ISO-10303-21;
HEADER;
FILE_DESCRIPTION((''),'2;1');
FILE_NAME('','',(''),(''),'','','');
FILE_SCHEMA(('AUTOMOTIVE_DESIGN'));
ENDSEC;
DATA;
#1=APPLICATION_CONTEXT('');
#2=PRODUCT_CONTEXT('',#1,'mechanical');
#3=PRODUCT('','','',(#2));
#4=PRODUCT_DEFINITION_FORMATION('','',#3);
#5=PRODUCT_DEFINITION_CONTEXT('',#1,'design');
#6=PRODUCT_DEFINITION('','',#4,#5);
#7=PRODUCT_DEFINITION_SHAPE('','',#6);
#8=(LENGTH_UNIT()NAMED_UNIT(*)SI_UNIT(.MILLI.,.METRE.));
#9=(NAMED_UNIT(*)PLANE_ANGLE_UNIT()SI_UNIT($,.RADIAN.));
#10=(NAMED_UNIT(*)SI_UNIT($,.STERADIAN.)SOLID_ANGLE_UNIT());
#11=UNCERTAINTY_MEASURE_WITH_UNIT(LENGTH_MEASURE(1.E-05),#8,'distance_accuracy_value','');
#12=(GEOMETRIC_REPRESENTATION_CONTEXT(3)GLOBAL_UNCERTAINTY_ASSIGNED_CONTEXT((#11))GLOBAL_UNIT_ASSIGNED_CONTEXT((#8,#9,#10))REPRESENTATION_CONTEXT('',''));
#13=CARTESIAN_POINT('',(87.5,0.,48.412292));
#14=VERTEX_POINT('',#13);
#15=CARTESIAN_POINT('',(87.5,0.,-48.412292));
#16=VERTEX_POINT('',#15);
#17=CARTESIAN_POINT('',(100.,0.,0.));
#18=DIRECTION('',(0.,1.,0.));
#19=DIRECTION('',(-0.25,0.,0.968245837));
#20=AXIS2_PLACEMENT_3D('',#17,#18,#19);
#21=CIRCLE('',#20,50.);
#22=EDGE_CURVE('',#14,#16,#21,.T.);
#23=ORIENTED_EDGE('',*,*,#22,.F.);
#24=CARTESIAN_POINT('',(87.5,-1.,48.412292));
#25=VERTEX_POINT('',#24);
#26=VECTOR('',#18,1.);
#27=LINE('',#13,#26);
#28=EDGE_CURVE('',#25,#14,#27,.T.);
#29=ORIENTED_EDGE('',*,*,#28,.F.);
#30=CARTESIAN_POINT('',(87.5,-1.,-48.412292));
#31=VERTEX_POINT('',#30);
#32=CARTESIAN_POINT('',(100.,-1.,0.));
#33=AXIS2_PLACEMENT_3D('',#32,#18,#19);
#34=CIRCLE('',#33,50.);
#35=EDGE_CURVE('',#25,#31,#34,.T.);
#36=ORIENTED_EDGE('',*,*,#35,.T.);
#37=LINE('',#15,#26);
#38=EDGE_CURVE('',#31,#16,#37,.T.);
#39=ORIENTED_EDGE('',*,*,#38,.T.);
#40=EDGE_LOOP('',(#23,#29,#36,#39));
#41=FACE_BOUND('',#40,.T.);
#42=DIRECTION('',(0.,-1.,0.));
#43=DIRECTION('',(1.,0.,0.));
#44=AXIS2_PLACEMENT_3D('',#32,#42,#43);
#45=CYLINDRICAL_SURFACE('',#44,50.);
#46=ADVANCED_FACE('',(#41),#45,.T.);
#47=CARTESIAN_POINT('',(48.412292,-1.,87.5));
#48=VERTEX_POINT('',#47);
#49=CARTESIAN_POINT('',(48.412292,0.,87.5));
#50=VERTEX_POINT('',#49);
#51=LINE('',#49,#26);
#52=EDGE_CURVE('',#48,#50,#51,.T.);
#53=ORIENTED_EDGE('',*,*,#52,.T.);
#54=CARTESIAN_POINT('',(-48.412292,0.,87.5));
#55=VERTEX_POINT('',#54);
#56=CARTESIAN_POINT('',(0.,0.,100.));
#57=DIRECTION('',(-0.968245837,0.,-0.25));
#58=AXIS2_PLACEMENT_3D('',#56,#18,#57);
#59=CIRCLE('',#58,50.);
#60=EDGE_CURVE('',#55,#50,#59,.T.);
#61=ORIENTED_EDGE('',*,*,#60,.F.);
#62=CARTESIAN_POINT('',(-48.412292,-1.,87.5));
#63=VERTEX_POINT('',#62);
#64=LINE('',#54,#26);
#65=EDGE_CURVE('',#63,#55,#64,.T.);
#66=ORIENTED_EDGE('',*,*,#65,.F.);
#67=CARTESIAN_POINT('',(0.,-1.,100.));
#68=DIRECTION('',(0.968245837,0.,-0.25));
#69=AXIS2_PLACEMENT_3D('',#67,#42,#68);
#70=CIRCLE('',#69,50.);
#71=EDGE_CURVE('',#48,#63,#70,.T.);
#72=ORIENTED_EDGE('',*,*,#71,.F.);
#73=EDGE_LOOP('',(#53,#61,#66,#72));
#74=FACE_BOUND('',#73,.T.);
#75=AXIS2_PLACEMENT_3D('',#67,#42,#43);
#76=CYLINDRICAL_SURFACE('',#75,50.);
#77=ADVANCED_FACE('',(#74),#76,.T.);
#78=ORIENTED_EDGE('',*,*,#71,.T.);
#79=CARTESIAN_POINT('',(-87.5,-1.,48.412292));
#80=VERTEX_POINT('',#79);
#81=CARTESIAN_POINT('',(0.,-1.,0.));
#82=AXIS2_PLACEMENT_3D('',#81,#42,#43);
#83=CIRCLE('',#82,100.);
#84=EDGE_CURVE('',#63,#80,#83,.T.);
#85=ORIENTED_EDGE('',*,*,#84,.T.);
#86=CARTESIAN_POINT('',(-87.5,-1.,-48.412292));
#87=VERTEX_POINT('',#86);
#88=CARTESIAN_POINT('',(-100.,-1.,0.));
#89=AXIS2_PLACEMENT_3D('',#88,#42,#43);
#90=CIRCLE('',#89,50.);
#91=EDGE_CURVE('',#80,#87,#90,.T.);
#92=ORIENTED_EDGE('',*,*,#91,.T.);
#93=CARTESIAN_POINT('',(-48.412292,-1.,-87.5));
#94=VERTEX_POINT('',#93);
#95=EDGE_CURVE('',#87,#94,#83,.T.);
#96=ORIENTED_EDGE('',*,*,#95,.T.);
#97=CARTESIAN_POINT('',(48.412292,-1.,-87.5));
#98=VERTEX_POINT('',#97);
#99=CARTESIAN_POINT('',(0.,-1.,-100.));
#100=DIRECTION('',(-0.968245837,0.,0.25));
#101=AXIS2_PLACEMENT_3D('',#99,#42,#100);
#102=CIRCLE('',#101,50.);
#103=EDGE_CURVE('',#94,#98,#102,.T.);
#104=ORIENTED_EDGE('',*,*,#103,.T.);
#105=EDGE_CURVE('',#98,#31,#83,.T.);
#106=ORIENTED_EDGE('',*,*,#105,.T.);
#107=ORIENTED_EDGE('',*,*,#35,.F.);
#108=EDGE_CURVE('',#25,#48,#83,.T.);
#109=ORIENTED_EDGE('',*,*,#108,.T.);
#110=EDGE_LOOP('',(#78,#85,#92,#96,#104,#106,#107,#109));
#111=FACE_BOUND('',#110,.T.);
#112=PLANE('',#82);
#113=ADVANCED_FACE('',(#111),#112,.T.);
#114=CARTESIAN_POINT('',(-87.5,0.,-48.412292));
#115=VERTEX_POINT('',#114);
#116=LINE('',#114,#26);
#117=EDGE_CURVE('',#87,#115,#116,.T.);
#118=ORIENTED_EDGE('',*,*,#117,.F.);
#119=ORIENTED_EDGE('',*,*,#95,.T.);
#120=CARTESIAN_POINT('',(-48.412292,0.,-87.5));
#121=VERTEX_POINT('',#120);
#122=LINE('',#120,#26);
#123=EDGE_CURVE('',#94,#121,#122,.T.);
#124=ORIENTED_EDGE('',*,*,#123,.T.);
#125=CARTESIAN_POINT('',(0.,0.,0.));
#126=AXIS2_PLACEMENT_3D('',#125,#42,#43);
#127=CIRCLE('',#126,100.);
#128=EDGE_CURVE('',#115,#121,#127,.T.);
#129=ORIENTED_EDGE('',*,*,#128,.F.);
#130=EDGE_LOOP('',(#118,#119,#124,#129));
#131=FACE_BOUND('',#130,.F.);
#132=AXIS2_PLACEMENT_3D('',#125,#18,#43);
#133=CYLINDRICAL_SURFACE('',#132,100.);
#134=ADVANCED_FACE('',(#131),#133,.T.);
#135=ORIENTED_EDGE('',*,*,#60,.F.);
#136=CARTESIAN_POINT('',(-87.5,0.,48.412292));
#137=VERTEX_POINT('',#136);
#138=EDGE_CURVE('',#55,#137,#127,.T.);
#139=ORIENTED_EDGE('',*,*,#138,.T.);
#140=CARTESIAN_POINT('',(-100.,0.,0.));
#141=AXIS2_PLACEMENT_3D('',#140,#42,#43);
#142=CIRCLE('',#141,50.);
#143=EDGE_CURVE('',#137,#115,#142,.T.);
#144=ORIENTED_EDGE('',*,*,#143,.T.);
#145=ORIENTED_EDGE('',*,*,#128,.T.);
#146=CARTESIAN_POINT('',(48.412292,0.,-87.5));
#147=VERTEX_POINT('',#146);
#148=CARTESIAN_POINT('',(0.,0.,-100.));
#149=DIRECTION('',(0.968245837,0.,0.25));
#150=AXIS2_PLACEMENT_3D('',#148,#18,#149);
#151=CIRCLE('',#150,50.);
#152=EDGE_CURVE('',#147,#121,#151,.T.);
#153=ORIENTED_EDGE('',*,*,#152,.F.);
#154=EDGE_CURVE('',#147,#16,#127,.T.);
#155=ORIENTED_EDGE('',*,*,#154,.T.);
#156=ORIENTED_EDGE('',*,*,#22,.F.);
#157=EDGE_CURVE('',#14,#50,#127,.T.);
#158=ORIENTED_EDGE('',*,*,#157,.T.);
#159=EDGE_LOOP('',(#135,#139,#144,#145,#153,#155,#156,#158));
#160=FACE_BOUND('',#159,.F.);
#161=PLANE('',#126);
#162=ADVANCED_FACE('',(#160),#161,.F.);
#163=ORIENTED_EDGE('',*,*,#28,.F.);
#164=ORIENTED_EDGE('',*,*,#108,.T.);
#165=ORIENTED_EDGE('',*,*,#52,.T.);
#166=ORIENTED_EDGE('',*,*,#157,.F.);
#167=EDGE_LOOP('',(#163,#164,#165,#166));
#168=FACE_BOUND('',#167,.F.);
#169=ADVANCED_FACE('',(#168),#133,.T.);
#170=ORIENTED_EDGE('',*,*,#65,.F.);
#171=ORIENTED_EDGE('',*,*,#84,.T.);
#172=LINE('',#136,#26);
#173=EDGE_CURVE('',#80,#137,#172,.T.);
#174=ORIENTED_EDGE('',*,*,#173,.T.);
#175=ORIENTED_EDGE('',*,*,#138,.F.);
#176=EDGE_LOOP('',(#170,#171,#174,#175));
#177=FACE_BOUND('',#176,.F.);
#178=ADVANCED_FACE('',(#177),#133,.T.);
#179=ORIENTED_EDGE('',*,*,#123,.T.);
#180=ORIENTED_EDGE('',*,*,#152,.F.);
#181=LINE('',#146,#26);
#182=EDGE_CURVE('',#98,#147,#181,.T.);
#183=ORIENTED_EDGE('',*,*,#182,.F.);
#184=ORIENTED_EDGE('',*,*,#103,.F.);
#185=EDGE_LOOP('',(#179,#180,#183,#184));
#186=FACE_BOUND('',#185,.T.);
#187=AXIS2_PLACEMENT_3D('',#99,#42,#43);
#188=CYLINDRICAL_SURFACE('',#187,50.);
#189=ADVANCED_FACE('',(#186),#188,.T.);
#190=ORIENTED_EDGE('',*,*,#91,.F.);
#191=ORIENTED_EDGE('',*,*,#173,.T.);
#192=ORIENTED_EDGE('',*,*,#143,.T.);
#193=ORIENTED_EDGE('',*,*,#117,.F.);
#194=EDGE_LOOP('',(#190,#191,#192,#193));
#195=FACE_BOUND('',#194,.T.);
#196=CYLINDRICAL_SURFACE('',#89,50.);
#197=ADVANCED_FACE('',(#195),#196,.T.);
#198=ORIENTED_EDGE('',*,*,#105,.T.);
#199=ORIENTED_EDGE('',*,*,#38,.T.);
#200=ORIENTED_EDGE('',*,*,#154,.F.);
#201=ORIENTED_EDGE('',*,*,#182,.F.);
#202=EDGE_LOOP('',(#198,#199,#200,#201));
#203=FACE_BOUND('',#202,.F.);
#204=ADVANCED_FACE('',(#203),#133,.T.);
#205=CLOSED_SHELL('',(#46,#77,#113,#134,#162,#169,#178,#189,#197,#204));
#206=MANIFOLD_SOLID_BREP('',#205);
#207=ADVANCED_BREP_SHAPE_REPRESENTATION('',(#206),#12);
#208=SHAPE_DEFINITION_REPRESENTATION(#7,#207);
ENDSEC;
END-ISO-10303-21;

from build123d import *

# Parameters (mm, degrees)
F0_R     = 100
F1_DEPTH = 1
F2_R     = 50
F3_DEPTH = 1


with BuildPart() as f1:
    # F0 (on Front) → F1 (new body)
    with BuildSketch(Plane.XZ):
        Circle(F0_R)
    extrude(amount=F1_DEPTH)

    # F2 (on face) → F3 (join)
    with BuildSketch(Plane.XZ.offset(1)):
        with Locations((-100, 0)):
            Circle(F2_R)
        with Locations((0, 100)):
            Circle(F2_R)
        with Locations((100, 0)):
            Circle(F2_R)
        with Locations((0, -100)):
            Circle(F2_R)
    extrude(amount=-F3_DEPTH)


solid = f1.part
